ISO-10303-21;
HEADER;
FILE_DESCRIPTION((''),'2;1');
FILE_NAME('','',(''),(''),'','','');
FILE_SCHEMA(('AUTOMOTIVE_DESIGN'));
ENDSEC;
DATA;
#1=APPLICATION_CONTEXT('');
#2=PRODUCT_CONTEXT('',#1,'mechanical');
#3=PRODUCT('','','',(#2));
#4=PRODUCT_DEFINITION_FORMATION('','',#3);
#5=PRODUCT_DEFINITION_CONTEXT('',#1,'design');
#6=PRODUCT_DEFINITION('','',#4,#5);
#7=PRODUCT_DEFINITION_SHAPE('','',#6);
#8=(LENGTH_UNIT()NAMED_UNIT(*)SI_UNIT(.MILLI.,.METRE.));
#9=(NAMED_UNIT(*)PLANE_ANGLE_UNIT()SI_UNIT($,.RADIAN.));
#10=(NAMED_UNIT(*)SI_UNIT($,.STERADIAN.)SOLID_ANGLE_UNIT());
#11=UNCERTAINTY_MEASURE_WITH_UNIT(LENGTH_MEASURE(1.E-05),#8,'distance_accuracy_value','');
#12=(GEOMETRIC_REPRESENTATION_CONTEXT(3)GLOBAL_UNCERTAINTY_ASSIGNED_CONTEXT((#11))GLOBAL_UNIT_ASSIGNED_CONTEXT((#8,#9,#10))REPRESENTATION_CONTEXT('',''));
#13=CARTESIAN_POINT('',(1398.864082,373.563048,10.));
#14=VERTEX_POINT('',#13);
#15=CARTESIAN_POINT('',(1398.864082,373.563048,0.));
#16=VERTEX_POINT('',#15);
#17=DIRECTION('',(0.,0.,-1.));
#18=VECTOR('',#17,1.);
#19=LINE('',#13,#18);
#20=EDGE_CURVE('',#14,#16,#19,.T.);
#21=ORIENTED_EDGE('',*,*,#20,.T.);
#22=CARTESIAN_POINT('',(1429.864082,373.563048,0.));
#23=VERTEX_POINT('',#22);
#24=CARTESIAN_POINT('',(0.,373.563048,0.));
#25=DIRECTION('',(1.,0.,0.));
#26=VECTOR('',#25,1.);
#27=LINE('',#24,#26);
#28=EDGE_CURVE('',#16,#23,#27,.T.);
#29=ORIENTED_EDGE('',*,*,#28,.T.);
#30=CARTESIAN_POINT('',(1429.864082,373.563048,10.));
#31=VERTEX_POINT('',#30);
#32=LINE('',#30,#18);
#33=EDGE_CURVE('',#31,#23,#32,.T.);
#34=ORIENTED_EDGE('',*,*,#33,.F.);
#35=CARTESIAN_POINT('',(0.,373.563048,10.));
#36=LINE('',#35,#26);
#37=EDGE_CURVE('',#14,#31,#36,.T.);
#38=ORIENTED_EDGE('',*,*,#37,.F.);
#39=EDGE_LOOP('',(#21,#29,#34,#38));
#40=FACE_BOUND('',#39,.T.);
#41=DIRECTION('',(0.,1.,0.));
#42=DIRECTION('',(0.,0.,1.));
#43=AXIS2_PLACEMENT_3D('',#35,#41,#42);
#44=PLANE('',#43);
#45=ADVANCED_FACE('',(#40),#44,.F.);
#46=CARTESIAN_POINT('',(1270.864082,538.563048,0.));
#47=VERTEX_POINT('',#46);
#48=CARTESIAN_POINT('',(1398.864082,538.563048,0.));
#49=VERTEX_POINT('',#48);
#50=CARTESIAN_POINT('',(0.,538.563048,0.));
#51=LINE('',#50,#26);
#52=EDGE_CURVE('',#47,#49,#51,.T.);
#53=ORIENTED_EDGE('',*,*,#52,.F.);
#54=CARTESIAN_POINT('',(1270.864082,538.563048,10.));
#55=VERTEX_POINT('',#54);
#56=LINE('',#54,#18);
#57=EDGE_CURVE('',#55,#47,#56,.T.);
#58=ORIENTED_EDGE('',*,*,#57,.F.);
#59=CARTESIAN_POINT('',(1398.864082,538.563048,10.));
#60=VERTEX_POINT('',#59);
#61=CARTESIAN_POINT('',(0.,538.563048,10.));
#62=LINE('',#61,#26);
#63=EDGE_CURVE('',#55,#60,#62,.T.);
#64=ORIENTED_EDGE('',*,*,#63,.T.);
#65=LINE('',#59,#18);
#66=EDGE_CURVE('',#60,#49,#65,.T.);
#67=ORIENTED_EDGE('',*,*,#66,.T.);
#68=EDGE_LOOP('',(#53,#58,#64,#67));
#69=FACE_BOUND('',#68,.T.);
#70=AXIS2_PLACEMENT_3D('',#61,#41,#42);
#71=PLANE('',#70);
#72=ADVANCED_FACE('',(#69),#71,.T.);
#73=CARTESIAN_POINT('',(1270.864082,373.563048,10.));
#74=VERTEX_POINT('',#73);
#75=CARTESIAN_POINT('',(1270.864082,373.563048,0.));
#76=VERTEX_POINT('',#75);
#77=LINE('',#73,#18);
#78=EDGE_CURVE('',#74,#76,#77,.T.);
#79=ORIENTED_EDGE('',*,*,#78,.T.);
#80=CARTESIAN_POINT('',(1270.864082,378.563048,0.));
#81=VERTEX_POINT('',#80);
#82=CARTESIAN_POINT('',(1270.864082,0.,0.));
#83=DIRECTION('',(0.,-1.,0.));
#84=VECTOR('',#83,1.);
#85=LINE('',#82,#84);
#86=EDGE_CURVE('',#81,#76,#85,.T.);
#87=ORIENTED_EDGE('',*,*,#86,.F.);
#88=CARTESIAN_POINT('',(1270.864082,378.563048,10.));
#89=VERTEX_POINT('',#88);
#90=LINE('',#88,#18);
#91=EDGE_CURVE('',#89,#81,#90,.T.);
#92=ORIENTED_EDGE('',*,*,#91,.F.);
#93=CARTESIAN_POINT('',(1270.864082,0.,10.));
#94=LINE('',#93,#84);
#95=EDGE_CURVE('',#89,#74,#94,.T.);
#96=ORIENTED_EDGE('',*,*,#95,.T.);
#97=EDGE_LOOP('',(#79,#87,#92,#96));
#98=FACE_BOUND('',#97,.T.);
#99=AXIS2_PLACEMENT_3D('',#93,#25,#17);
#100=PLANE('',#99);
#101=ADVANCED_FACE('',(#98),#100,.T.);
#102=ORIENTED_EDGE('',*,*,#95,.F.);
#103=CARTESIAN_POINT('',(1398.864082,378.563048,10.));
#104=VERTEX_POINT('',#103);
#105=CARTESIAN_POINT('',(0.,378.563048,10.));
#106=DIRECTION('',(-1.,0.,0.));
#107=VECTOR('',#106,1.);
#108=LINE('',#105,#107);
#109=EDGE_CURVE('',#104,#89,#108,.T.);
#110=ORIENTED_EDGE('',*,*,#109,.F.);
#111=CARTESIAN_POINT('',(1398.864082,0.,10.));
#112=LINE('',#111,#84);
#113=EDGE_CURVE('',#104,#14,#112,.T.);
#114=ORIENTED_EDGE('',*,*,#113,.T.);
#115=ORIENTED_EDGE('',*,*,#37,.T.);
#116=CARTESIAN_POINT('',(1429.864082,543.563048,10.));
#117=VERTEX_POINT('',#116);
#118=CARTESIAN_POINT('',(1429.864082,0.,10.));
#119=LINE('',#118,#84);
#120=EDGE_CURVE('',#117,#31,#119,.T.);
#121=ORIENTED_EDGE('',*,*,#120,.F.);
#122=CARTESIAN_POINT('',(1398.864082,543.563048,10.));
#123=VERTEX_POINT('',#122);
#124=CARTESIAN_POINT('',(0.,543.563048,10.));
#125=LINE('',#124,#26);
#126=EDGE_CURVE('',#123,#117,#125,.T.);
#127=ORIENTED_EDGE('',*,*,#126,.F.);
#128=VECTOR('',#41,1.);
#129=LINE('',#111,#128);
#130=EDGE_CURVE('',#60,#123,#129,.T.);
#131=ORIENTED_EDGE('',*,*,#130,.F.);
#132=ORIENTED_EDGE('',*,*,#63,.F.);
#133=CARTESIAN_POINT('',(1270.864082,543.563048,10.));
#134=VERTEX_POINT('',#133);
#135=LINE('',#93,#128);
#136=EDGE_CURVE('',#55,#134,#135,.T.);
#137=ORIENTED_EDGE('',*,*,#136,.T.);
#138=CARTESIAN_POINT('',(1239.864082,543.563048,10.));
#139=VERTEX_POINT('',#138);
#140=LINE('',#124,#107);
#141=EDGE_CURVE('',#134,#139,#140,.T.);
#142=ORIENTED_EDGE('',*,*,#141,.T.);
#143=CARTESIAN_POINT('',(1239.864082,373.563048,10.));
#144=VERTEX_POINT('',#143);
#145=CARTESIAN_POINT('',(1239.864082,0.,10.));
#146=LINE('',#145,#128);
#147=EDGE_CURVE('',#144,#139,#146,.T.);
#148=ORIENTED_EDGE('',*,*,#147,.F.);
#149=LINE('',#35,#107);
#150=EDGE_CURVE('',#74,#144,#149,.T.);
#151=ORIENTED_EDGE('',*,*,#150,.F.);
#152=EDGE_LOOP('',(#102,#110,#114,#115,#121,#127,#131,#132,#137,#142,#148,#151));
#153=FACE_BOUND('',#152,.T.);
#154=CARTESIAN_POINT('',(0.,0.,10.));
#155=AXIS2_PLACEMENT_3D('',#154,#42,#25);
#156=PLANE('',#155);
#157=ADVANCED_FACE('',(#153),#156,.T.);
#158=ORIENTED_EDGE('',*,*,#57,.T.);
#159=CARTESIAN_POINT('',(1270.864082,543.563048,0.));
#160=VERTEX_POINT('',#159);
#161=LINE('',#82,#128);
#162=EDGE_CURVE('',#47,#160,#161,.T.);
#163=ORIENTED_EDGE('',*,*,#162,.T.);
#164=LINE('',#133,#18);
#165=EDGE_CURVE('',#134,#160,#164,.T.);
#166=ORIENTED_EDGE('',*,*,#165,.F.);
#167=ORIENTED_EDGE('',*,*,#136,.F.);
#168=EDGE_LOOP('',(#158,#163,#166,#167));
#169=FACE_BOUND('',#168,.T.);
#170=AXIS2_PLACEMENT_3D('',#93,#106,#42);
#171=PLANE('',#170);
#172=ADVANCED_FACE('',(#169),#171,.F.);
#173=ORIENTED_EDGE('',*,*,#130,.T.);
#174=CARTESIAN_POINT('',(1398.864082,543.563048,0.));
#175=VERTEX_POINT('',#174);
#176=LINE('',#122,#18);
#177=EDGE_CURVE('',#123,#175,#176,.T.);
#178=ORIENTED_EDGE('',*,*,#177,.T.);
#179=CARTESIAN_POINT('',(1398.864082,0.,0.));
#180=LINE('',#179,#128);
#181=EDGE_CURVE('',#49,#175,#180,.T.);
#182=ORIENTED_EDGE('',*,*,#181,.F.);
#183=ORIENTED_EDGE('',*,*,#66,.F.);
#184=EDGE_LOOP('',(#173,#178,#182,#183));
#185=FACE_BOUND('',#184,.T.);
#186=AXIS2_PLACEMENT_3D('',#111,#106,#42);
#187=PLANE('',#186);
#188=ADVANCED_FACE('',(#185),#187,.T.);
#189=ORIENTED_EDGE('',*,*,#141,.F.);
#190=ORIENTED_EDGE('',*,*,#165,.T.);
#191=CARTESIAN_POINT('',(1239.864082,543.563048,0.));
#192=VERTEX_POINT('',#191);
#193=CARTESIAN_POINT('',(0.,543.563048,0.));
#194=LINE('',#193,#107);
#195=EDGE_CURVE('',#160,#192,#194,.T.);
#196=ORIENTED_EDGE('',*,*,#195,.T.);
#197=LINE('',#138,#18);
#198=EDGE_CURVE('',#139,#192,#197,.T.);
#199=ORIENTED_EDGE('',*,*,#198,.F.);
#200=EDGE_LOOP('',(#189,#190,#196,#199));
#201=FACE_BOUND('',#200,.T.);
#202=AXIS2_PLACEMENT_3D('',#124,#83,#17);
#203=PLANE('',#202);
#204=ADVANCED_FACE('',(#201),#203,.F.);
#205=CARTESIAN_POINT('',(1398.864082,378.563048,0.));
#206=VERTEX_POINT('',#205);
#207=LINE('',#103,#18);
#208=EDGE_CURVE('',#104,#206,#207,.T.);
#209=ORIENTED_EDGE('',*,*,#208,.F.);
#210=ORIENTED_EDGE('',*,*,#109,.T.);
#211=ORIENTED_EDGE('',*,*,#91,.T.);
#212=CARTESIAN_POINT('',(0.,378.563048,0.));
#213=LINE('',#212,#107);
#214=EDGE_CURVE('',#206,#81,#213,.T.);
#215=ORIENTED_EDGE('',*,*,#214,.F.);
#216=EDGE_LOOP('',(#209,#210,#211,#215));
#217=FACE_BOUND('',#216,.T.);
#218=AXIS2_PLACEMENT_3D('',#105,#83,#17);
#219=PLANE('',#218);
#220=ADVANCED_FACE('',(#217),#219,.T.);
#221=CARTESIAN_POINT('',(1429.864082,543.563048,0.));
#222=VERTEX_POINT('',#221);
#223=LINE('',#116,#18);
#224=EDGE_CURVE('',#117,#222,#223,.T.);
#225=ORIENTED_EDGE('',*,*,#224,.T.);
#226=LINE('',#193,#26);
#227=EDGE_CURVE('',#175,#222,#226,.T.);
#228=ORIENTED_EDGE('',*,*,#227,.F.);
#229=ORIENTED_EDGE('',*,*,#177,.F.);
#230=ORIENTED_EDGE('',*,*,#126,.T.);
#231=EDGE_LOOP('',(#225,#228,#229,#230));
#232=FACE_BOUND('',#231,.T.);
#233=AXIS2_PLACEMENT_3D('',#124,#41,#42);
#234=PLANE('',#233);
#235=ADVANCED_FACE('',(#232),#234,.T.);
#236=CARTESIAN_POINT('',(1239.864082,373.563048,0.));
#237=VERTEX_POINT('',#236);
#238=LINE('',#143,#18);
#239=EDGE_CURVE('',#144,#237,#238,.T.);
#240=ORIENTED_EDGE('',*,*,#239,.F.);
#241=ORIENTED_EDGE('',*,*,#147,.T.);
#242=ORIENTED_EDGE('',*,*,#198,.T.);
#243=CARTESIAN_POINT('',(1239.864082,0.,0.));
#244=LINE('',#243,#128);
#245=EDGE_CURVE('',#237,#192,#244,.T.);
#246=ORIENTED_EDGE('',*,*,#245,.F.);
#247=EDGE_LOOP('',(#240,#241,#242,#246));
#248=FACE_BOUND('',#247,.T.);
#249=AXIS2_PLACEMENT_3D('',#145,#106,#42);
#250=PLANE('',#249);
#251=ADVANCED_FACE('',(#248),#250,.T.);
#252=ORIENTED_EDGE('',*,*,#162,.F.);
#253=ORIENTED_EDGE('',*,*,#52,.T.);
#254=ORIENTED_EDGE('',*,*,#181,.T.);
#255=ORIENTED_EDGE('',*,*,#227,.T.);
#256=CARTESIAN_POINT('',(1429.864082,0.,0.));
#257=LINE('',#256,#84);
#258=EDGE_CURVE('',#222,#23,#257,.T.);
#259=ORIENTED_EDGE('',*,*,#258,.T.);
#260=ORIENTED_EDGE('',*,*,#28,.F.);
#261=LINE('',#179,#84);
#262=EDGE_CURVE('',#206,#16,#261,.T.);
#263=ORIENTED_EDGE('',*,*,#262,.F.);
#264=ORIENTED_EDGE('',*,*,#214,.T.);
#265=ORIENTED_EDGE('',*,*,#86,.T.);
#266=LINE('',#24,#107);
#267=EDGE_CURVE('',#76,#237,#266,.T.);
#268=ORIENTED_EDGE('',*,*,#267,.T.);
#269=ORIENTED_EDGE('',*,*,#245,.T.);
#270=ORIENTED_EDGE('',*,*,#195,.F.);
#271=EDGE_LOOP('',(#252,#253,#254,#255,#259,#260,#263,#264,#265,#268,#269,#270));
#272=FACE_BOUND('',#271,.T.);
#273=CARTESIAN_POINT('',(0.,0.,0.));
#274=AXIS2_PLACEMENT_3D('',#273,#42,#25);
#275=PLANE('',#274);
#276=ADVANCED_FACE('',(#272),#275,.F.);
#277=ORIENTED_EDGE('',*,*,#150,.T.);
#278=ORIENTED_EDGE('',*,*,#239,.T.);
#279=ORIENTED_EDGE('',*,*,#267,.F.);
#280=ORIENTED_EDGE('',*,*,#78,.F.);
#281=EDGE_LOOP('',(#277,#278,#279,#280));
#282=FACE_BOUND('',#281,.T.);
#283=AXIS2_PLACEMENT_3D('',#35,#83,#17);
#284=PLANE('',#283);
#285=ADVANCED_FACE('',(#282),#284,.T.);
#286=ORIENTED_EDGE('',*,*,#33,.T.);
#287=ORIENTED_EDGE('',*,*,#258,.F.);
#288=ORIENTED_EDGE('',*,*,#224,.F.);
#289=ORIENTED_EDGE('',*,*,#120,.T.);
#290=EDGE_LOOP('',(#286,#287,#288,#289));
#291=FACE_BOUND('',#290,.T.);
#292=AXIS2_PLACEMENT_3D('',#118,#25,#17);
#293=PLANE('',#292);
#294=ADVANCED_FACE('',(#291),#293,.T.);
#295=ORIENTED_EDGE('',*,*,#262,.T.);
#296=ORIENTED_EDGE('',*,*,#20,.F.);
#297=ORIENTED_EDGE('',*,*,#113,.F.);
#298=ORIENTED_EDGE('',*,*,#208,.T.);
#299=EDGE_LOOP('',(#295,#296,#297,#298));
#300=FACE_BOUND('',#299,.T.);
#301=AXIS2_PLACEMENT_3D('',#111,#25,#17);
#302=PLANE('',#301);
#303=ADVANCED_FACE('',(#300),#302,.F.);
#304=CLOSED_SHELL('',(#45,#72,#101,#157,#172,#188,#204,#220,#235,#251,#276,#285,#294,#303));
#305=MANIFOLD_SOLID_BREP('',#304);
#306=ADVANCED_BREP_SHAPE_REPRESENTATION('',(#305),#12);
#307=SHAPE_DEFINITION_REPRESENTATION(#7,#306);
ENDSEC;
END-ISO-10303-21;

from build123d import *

# Parameters (mm, degrees)
EXTRUDE_1_DEPTH = 10


with BuildPart() as part:
    # 草图1 → 凸台-拉伸1 (new body)
    with BuildSketch(Plane.XY):
        Polygon((1270.864081606, 373.563048005), (1239.864081606, 373.563048005), (1239.864081606, 543.563048005), (1270.864081606, 543.563048005), (1270.864081606, 538.563048005), (1398.864081606, 538.563048005), (1398.864081606, 543.563048005), (1429.864081606, 543.563048005), (1429.864081606, 373.563048005), (1398.864081606, 373.563048005), (1398.864081606, 378.563048005), (1270.864081606, 378.563048005), align=None)
    extrude(amount=EXTRUDE_1_DEPTH)


solid = part.part
